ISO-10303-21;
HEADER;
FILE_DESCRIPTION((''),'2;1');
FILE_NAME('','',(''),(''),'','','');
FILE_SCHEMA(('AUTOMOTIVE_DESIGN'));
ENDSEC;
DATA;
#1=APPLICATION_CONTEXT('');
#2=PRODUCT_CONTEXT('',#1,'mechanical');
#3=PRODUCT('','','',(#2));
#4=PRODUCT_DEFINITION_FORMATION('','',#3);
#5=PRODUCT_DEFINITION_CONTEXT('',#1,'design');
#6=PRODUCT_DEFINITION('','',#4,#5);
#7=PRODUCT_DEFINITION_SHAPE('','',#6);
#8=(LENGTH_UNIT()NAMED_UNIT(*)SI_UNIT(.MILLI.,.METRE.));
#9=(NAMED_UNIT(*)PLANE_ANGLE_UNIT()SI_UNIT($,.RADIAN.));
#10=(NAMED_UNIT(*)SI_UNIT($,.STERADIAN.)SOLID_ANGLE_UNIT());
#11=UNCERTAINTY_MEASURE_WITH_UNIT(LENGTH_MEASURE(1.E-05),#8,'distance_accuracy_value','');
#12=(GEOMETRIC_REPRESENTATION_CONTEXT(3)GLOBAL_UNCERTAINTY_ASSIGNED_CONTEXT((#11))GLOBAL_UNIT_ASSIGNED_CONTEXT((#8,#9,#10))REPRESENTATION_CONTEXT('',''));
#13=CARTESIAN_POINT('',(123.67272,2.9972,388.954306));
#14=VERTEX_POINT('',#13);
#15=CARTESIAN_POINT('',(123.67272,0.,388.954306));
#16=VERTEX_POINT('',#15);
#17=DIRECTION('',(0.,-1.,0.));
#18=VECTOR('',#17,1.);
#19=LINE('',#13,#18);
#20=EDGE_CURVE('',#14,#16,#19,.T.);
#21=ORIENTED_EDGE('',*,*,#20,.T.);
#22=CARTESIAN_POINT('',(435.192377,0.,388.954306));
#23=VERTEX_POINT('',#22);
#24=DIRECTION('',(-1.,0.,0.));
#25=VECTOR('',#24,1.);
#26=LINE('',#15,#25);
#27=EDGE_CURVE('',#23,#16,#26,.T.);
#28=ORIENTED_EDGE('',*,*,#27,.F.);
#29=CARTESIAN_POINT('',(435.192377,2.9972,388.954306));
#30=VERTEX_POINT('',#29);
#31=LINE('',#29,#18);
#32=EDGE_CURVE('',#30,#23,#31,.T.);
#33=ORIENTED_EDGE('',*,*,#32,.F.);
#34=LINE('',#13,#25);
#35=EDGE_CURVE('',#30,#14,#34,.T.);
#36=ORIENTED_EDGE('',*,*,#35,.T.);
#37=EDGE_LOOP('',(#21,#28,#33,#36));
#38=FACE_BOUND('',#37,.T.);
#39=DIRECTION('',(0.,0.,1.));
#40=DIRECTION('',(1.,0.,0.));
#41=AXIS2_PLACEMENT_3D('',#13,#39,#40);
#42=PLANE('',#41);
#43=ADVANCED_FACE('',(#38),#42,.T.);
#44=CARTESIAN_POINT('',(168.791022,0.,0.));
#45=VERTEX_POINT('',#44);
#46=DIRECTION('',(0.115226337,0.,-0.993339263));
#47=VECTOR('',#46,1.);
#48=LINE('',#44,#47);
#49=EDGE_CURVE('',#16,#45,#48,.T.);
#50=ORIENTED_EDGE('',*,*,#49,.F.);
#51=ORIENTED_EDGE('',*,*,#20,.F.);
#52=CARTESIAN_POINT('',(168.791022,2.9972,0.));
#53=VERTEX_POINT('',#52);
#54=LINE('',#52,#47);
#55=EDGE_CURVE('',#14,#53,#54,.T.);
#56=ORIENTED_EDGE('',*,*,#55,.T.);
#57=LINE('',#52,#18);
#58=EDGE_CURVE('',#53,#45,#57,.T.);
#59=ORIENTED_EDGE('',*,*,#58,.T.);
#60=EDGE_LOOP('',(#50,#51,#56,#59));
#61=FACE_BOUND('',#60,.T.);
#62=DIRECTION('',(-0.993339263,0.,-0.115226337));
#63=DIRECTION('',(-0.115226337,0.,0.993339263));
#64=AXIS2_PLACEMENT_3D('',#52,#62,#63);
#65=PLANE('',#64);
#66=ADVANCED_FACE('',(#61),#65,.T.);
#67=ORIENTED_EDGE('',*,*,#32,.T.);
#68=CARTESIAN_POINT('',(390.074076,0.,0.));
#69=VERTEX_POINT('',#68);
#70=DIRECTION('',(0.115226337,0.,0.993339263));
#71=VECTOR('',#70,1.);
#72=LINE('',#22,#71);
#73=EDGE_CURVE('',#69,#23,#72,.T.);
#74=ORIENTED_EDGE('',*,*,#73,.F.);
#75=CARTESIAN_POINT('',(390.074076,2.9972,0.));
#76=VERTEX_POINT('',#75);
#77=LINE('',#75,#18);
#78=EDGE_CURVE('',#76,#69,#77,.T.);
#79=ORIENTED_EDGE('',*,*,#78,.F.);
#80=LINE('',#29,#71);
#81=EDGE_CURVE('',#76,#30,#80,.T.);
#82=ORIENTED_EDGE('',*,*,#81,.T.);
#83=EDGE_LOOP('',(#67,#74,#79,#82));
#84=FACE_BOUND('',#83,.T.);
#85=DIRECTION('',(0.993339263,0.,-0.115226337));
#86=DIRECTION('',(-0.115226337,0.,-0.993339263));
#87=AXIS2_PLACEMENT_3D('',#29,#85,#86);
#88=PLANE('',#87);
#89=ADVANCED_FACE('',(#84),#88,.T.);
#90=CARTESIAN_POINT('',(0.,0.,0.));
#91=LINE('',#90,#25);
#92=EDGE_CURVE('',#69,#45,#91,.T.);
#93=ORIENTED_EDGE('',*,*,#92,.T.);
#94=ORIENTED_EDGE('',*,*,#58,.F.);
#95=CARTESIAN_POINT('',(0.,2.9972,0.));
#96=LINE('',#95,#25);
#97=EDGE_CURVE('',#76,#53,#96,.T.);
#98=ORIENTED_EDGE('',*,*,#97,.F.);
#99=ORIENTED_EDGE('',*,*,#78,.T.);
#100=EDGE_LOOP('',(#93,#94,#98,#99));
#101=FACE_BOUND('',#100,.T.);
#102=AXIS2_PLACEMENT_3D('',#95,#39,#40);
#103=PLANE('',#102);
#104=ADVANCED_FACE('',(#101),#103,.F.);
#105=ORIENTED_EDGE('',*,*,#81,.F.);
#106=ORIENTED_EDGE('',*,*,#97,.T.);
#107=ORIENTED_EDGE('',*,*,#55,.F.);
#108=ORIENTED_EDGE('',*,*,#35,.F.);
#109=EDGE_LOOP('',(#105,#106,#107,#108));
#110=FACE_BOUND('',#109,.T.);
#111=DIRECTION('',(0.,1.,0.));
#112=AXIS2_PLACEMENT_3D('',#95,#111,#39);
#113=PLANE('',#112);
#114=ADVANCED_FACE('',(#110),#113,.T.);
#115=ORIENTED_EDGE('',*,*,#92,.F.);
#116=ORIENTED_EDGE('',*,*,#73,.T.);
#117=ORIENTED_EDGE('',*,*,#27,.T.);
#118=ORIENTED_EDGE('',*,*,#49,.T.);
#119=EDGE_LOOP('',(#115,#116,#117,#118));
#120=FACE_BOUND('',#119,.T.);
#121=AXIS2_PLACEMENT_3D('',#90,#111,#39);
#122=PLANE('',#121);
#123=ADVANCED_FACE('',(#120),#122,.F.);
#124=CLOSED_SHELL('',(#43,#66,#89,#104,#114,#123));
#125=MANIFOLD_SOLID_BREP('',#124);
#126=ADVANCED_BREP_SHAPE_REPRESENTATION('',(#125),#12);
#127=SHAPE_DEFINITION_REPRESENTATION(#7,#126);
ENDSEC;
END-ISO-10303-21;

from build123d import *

# Parameters (mm, degrees)
SKETCH1_W           = 500
SKETCH1_H           = 500
BOSS_EXTRUDE1_DEPTH = 2.9972
SKETCH3_OUTSIDE_W   = 643.422
SKETCH3_OUTSIDE_H   = 643.422
CUT_EXTRUDE1_DEPTH  = 708.113133245


with BuildPart() as part:
    # Sketch1 → Boss-Extrude1 (new body)
    with BuildSketch(Plane(origin=(0, 0, 0), x_dir=(1, 0, 0), z_dir=(0, 1, 0))):
        with Locations((250, -250)):
            Rectangle(SKETCH1_W, SKETCH1_H)
    extrude(amount=BOSS_EXTRUDE1_DEPTH)

    # Sketch3 outside → Cut-Extrude1 (cut, through all)
    with BuildSketch(Plane.XZ):
        with Locations((250, 250)):
            Rectangle(SKETCH3_OUTSIDE_W, SKETCH3_OUTSIDE_H)
        Polygon((168.791021581, 0), (123.672720315, 388.954305887), (435.192377179, 388.954305887), (390.074075913, 0), align=None, mode=Mode.SUBTRACT)
    extrude(amount=-CUT_EXTRUDE1_DEPTH, mode=Mode.SUBTRACT)


solid = part.part
